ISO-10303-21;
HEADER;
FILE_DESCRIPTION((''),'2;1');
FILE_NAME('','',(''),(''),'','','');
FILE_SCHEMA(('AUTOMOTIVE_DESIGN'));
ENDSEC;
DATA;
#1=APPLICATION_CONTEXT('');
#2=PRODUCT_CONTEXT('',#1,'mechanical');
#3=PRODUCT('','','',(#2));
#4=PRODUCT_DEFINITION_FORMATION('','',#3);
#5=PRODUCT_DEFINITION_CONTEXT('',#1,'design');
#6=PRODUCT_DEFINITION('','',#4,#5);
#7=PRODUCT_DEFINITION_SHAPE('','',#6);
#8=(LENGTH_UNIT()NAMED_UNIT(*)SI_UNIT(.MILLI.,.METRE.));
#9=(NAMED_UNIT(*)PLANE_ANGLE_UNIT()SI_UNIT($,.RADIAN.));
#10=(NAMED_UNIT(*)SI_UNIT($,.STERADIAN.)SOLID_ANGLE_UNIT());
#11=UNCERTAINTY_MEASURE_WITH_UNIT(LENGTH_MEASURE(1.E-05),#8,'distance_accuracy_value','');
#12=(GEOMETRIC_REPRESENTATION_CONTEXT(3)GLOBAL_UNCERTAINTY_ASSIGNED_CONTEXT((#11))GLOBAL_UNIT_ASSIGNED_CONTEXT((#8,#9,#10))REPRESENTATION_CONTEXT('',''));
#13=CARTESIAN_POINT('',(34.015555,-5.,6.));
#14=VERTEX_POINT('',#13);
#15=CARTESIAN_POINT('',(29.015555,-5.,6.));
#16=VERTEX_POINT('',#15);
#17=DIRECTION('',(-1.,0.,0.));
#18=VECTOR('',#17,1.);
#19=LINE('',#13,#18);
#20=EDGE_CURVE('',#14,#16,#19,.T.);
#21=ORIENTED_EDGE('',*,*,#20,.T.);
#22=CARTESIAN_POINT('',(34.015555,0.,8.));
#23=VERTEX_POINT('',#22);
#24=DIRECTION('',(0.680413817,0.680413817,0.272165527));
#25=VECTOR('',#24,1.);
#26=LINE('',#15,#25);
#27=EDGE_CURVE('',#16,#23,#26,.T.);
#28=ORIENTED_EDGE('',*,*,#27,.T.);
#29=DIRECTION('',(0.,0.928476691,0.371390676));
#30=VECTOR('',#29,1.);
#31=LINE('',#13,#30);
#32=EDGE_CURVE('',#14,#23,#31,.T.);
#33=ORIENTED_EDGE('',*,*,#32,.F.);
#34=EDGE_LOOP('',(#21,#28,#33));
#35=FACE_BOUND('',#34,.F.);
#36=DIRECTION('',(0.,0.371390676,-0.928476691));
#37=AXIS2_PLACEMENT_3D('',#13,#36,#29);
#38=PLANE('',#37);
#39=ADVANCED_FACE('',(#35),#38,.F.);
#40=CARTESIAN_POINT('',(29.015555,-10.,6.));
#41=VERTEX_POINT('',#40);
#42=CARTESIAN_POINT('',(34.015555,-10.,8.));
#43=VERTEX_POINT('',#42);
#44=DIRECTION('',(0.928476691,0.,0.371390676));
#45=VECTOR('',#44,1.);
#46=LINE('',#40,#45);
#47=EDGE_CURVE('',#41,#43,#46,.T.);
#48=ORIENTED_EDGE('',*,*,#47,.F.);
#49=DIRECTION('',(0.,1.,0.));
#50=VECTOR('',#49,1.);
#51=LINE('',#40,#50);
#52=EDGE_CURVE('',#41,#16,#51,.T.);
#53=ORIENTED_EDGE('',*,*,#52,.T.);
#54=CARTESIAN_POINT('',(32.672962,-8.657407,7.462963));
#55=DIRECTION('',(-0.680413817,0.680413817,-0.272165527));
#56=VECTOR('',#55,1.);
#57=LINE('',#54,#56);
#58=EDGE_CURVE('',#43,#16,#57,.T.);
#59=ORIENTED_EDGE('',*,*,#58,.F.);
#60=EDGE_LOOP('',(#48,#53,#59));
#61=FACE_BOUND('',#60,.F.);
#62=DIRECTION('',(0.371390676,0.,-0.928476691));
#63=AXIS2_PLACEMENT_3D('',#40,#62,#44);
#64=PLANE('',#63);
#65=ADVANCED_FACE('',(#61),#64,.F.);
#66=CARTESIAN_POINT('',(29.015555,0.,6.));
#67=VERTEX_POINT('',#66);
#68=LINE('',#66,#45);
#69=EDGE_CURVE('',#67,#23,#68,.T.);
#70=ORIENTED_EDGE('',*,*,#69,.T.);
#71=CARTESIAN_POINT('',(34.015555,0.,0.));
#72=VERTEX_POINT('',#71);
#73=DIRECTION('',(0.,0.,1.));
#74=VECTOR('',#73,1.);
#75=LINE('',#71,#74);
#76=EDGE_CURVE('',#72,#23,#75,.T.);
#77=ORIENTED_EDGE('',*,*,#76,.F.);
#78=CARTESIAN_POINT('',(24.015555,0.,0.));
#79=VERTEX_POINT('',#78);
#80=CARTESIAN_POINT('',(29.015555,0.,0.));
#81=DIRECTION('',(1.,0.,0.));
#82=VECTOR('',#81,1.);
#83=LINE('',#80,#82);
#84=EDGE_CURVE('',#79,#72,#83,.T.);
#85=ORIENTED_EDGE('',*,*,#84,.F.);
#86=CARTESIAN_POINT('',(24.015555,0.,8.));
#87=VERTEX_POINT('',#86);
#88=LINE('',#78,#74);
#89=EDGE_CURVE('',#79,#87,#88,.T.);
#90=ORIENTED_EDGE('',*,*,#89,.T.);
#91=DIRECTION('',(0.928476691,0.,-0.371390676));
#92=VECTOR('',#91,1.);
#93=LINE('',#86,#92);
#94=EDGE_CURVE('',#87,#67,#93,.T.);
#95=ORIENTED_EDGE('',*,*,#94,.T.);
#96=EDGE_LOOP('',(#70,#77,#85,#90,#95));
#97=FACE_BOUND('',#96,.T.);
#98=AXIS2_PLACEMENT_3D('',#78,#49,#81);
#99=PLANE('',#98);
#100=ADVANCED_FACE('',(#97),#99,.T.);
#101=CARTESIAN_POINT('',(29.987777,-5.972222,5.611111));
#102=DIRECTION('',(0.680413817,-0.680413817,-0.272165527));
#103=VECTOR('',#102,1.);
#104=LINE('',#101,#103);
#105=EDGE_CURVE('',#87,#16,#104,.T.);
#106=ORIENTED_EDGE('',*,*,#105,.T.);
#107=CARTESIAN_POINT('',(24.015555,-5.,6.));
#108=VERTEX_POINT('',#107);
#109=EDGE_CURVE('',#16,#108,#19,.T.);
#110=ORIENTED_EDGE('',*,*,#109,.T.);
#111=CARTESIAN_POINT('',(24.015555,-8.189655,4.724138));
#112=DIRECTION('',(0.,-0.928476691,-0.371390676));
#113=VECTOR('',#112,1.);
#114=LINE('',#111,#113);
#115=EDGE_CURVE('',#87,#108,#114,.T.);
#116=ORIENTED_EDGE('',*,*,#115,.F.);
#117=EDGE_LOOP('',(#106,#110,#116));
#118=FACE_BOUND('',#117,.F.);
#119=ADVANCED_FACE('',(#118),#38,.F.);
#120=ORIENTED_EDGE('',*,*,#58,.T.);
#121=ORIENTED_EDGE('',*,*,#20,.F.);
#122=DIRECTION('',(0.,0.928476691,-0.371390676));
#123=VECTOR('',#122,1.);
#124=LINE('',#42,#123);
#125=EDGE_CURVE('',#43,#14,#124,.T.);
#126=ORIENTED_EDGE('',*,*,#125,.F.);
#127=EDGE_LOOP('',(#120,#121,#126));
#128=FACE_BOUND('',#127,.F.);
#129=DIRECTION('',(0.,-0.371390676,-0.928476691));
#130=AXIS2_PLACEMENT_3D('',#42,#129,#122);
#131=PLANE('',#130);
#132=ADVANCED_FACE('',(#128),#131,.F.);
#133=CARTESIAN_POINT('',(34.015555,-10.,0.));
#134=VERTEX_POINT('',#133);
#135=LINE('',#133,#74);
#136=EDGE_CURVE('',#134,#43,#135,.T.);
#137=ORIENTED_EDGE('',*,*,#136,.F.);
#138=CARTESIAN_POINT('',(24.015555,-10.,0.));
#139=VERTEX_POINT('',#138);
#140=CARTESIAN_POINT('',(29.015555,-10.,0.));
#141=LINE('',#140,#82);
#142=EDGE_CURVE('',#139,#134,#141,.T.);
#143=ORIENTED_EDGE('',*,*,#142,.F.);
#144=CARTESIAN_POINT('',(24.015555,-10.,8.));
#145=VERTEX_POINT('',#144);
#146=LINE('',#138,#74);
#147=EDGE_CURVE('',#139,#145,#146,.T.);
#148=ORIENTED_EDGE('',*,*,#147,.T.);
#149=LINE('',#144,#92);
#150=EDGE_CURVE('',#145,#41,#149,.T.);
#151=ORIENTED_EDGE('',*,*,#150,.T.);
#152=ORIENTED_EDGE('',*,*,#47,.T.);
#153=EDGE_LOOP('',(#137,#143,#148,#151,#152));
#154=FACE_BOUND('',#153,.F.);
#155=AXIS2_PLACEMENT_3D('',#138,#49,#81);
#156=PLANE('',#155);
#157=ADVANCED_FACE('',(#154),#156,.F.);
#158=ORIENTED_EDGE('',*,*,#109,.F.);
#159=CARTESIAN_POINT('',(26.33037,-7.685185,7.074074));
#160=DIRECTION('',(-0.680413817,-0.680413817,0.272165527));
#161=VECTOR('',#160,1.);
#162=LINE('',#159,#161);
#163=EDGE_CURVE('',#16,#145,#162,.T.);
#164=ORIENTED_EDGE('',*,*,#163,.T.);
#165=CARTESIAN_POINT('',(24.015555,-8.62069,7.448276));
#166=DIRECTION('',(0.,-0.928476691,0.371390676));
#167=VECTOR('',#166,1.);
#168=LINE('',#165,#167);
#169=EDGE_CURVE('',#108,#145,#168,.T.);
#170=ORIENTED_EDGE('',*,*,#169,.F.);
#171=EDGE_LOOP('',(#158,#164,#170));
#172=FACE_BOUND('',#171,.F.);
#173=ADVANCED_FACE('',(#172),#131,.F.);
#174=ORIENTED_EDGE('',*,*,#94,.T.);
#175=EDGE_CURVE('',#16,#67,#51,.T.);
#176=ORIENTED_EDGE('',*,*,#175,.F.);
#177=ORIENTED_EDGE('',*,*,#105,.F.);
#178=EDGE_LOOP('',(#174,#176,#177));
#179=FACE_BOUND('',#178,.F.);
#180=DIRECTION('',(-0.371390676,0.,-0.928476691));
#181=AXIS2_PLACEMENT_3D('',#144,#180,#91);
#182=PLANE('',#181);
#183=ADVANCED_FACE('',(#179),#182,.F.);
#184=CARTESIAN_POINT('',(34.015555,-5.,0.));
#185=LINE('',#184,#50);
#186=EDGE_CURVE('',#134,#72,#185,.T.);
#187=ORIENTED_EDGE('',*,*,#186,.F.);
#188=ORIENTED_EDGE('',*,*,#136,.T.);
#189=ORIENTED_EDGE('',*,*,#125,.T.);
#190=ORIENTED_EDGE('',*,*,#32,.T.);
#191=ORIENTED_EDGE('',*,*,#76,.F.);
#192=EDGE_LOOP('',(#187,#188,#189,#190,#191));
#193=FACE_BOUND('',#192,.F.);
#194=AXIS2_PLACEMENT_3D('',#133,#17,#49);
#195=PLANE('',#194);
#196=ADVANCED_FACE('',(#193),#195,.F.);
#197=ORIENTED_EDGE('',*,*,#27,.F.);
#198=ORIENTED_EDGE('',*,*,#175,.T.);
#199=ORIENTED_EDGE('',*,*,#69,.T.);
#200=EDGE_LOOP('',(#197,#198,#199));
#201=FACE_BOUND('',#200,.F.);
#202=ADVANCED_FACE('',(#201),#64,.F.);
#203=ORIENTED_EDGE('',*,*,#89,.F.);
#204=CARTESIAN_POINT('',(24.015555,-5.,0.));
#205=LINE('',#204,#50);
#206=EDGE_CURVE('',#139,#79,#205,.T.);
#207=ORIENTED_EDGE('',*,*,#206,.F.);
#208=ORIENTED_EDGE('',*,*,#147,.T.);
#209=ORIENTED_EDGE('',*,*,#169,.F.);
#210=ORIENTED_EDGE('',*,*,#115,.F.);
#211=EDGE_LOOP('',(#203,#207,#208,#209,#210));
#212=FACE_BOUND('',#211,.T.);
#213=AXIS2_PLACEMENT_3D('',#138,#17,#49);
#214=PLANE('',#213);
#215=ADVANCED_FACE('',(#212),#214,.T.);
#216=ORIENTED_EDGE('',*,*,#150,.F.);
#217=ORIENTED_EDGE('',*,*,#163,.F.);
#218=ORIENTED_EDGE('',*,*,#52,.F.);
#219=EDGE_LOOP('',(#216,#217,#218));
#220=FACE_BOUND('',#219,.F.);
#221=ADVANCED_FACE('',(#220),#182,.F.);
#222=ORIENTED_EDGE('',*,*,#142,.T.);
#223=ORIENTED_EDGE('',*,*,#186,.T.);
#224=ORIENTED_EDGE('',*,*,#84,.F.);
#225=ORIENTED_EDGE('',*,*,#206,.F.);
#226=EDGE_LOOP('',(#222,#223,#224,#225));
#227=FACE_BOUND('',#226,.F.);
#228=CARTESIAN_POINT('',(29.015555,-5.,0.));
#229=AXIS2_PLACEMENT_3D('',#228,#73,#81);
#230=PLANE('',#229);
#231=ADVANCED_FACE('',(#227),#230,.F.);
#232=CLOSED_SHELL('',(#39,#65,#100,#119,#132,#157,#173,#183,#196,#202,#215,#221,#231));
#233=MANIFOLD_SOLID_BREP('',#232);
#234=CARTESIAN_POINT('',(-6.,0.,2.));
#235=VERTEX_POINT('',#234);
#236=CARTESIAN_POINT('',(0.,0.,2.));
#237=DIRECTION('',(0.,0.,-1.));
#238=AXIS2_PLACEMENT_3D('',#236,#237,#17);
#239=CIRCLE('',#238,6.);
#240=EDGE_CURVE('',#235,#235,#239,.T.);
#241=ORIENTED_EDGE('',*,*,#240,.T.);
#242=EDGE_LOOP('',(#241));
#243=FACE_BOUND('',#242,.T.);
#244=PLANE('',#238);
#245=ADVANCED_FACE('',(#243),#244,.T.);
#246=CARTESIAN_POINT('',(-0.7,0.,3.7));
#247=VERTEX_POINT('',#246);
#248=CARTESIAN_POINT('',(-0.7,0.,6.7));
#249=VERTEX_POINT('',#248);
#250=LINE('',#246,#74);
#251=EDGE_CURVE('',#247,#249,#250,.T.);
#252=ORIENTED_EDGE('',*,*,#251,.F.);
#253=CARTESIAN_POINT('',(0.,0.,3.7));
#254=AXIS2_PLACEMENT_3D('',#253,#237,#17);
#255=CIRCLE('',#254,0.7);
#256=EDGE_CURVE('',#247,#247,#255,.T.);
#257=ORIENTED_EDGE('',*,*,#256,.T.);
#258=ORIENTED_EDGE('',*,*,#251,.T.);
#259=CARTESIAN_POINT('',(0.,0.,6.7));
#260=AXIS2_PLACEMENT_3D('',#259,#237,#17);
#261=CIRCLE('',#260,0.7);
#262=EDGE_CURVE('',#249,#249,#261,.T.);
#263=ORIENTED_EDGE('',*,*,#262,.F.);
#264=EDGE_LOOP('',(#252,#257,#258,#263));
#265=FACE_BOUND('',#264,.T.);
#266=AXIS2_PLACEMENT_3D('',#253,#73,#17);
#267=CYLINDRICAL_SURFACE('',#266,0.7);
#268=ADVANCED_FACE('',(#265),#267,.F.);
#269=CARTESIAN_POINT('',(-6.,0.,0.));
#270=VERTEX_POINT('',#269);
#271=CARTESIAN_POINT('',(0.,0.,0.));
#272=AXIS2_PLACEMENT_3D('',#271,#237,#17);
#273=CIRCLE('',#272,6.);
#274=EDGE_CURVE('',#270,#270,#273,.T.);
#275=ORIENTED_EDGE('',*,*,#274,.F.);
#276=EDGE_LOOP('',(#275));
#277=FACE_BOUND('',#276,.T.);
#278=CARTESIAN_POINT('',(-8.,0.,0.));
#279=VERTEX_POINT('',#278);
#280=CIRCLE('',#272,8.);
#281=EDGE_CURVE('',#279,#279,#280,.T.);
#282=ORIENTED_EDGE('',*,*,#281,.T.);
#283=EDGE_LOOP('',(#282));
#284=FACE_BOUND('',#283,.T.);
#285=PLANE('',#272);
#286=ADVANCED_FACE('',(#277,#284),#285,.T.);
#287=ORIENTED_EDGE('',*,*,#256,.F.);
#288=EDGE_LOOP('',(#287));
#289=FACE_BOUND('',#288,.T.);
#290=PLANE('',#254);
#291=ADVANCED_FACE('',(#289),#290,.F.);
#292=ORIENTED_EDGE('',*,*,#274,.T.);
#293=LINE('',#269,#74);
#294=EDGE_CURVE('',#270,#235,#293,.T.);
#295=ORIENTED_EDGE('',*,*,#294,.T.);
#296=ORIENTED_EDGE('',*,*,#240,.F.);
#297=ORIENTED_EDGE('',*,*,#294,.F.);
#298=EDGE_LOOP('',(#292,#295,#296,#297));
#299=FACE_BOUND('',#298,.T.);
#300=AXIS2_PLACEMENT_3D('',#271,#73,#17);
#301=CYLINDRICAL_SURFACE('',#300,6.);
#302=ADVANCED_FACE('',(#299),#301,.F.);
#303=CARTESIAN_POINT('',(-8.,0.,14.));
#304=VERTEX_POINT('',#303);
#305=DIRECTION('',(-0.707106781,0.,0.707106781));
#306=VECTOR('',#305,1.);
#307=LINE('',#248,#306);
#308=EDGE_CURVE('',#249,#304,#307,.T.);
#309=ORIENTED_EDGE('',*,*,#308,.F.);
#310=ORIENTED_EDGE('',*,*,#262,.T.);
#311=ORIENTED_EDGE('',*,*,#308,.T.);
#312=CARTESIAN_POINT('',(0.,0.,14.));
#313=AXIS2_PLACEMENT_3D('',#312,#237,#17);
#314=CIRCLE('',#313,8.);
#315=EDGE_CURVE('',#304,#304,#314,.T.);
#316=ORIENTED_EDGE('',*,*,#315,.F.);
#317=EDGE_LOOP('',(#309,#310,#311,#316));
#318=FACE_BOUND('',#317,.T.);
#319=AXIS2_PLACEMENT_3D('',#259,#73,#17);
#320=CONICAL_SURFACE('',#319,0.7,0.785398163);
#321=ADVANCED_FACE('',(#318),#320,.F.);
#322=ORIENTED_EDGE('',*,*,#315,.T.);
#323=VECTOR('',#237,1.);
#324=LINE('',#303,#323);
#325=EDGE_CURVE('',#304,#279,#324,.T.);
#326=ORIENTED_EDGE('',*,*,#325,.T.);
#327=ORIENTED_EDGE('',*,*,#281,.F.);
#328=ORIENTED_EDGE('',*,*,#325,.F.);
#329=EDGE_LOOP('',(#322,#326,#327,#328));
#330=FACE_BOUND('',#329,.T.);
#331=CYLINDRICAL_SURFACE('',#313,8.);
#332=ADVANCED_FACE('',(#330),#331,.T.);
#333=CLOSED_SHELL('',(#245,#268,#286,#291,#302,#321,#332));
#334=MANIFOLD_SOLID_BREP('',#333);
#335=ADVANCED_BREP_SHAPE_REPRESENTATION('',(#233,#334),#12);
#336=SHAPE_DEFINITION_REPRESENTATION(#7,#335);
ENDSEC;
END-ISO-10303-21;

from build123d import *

# Parameters (mm, degrees)
F2_W     = 10
F2_H     = 10
F3_DEPTH = 8
F5_DEPTH = 10
F7_DEPTH = 25


with BuildPart() as f1:
    # F0 (on Front) → F1 (revolve)
    with BuildSketch(Plane.XZ):
        Polygon((-6, 2), (0, 2), (0, 3.7), (-0.7, 3.7), (-0.7, 6.7), (-8, 14), (-8, 0), (-6, 0), align=None)
    revolve(axis=Axis((0, 0, 2.85), (0, 0, -1)))


with BuildPart() as f3:
    # F2 (on Top) → F3 (new body)
    with BuildSketch(Plane.XY):
        with Locations((29.015555, -5)):
            Rectangle(F2_W, F2_H)
    extrude(amount=F3_DEPTH)

    # F4 (on face) → F5 (cut, through all)
    with BuildSketch(Plane.XZ.offset(10)):
        Polygon((34.015555, 8), (24.015555, 8), (29.015555, 6), align=None)
    extrude(amount=-F5_DEPTH, mode=Mode.SUBTRACT)

    # F6 (on face) → F7 (cut)
    with BuildSketch(Plane.YZ.offset(34.015555)):
        Polygon((0, 8), (-10, 8), (-5, 6), align=None)
    extrude(amount=-F7_DEPTH, mode=Mode.SUBTRACT)


solid = Compound([f1.part, f3.part])
